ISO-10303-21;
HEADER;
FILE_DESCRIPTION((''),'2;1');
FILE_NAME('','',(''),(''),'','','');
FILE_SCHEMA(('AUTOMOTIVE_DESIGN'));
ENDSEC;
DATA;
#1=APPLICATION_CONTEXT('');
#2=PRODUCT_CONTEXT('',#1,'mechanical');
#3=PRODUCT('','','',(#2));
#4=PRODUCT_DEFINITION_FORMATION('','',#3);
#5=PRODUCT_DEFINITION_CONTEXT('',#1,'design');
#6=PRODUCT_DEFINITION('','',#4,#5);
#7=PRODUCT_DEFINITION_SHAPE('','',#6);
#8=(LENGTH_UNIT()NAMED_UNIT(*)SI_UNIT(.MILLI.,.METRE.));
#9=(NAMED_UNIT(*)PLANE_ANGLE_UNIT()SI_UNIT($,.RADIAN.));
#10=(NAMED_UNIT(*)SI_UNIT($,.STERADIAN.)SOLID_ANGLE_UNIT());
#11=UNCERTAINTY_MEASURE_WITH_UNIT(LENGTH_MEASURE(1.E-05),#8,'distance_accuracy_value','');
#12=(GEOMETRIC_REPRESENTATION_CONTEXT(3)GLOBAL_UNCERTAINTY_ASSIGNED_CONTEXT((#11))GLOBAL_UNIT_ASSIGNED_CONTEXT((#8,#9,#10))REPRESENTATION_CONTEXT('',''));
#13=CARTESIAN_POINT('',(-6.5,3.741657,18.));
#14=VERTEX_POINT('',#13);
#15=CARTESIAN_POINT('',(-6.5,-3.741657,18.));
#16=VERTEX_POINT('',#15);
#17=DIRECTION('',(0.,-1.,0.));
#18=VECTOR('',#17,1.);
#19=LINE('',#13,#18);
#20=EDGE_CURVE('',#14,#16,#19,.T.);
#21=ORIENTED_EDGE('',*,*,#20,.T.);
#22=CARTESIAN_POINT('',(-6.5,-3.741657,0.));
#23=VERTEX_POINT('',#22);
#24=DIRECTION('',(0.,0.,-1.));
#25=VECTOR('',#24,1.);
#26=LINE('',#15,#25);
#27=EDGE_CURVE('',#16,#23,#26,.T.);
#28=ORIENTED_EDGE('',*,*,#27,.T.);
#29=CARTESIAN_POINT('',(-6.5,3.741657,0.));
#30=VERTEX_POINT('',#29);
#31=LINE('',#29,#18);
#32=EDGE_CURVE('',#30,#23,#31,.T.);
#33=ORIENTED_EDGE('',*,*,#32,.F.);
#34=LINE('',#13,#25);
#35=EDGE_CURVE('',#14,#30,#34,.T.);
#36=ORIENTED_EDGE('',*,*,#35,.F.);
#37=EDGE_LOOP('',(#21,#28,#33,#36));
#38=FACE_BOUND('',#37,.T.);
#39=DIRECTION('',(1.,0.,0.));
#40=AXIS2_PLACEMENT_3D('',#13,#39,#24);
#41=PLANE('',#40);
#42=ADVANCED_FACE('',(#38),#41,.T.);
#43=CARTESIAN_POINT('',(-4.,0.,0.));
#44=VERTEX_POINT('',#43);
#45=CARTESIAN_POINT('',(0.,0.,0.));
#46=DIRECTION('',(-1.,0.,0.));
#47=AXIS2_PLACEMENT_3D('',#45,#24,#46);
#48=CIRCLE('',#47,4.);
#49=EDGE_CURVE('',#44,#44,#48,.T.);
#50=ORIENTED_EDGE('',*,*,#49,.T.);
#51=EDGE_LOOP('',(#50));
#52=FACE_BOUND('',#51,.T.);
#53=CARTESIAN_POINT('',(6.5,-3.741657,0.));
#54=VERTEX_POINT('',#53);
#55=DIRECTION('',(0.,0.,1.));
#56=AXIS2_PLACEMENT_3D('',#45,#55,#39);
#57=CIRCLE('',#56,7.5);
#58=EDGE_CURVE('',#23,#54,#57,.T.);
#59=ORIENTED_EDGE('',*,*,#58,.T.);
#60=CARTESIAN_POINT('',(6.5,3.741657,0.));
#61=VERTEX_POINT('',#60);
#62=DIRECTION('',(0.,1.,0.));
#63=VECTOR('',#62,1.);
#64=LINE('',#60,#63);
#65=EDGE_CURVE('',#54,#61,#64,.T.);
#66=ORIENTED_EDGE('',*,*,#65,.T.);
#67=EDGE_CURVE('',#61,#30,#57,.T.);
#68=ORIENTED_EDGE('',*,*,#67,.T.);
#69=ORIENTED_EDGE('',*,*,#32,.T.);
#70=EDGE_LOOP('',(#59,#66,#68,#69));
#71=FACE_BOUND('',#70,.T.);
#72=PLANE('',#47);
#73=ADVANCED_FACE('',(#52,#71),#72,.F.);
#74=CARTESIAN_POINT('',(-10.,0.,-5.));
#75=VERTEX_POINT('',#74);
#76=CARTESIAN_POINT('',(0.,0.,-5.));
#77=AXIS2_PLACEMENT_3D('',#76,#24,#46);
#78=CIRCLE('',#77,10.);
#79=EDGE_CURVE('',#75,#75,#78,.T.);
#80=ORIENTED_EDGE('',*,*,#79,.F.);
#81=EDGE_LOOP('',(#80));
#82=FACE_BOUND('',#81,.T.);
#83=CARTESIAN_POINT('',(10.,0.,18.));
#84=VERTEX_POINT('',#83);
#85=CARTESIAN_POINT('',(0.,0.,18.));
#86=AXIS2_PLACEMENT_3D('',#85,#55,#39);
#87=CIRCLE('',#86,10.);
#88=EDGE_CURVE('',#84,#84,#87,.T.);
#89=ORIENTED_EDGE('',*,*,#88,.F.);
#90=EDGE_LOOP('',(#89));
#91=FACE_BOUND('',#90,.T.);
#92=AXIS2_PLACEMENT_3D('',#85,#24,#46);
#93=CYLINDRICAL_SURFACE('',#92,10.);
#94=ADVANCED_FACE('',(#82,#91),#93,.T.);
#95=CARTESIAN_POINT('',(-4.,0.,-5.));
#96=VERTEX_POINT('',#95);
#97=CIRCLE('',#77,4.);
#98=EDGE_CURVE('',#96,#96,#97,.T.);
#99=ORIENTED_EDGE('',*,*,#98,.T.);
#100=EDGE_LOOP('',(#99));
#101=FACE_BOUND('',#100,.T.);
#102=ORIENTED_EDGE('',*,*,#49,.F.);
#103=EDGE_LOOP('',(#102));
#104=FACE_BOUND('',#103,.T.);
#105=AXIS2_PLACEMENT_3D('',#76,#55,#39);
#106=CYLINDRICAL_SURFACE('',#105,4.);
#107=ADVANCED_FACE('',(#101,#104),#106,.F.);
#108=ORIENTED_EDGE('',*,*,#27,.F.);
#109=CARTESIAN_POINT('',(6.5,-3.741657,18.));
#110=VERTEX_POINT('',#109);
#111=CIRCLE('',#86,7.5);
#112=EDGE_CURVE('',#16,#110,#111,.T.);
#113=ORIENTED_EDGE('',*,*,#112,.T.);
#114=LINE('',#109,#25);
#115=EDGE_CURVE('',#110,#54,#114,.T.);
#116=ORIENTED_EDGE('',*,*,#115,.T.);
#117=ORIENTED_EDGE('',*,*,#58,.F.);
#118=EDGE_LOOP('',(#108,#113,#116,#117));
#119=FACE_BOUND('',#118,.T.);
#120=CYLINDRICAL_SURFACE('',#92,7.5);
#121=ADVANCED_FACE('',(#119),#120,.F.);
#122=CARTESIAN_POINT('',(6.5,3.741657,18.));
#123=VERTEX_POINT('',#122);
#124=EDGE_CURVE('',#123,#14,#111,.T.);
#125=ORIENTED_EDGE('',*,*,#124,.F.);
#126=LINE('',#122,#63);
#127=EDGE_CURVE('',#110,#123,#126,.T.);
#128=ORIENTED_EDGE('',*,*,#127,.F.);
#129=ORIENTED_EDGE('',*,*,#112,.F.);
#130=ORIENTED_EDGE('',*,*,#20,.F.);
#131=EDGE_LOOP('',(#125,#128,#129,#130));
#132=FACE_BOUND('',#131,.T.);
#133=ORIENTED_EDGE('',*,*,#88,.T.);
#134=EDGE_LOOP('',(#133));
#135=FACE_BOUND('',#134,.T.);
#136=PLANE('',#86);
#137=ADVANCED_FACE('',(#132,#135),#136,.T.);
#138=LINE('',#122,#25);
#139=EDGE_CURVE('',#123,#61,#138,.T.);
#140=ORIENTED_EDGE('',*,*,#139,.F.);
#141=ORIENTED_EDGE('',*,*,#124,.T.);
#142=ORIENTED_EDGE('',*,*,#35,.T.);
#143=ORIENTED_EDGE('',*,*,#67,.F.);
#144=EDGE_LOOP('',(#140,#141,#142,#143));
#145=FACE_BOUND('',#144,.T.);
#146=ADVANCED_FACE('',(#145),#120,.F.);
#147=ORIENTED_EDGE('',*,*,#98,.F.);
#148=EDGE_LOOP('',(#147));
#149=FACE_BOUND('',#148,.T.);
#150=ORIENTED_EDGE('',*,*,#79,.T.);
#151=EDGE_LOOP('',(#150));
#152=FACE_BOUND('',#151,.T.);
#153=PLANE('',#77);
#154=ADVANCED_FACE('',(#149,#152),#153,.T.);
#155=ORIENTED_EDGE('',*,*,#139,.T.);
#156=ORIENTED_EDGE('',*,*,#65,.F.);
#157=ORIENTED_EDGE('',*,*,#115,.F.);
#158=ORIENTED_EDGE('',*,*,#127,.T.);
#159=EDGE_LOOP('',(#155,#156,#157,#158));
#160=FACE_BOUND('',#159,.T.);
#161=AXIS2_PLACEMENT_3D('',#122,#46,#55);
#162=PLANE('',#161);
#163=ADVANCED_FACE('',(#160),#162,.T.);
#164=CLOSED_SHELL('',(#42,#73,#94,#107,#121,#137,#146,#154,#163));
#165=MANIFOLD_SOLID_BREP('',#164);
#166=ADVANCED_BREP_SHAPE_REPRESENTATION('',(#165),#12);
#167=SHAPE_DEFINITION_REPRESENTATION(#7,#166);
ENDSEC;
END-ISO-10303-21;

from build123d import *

# Parameters (mm, degrees)
SKETCH1_R           = 10
BOSS_EXTRUDE1_DEPTH = 18
SKETCH2_R           = 10
SKETCH2_R_2         = 4
BOSS_EXTRUDE2_DEPTH = 5


with BuildPart() as part:
    # Sketch1 → Boss-Extrude1 (new body)
    with BuildSketch(Plane.XY):
        Circle(SKETCH1_R)
        with BuildLine():
            Line((-6.5, 3.741657387), (-6.5, -3.741657387))
            ThreePointArc((-6.5, -3.741657387), (0, -7.5), (6.5, -3.741657387))
            Line((6.5, -3.741657387), (6.5, 3.741657387))
            ThreePointArc((6.5, 3.741657387), (0, 7.5), (-6.5, 3.741657387))
        make_face(mode=Mode.SUBTRACT)
    extrude(amount=BOSS_EXTRUDE1_DEPTH)

    # Sketch2 → Boss-Extrude2 (add)
    with BuildSketch(Plane(origin=(0, 0, 0), x_dir=(-1, 0, 0), z_dir=(0, 0, -1))):
        Circle(SKETCH2_R)
        Circle(SKETCH2_R_2, mode=Mode.SUBTRACT)
    extrude(amount=BOSS_EXTRUDE2_DEPTH)


solid = part.part
